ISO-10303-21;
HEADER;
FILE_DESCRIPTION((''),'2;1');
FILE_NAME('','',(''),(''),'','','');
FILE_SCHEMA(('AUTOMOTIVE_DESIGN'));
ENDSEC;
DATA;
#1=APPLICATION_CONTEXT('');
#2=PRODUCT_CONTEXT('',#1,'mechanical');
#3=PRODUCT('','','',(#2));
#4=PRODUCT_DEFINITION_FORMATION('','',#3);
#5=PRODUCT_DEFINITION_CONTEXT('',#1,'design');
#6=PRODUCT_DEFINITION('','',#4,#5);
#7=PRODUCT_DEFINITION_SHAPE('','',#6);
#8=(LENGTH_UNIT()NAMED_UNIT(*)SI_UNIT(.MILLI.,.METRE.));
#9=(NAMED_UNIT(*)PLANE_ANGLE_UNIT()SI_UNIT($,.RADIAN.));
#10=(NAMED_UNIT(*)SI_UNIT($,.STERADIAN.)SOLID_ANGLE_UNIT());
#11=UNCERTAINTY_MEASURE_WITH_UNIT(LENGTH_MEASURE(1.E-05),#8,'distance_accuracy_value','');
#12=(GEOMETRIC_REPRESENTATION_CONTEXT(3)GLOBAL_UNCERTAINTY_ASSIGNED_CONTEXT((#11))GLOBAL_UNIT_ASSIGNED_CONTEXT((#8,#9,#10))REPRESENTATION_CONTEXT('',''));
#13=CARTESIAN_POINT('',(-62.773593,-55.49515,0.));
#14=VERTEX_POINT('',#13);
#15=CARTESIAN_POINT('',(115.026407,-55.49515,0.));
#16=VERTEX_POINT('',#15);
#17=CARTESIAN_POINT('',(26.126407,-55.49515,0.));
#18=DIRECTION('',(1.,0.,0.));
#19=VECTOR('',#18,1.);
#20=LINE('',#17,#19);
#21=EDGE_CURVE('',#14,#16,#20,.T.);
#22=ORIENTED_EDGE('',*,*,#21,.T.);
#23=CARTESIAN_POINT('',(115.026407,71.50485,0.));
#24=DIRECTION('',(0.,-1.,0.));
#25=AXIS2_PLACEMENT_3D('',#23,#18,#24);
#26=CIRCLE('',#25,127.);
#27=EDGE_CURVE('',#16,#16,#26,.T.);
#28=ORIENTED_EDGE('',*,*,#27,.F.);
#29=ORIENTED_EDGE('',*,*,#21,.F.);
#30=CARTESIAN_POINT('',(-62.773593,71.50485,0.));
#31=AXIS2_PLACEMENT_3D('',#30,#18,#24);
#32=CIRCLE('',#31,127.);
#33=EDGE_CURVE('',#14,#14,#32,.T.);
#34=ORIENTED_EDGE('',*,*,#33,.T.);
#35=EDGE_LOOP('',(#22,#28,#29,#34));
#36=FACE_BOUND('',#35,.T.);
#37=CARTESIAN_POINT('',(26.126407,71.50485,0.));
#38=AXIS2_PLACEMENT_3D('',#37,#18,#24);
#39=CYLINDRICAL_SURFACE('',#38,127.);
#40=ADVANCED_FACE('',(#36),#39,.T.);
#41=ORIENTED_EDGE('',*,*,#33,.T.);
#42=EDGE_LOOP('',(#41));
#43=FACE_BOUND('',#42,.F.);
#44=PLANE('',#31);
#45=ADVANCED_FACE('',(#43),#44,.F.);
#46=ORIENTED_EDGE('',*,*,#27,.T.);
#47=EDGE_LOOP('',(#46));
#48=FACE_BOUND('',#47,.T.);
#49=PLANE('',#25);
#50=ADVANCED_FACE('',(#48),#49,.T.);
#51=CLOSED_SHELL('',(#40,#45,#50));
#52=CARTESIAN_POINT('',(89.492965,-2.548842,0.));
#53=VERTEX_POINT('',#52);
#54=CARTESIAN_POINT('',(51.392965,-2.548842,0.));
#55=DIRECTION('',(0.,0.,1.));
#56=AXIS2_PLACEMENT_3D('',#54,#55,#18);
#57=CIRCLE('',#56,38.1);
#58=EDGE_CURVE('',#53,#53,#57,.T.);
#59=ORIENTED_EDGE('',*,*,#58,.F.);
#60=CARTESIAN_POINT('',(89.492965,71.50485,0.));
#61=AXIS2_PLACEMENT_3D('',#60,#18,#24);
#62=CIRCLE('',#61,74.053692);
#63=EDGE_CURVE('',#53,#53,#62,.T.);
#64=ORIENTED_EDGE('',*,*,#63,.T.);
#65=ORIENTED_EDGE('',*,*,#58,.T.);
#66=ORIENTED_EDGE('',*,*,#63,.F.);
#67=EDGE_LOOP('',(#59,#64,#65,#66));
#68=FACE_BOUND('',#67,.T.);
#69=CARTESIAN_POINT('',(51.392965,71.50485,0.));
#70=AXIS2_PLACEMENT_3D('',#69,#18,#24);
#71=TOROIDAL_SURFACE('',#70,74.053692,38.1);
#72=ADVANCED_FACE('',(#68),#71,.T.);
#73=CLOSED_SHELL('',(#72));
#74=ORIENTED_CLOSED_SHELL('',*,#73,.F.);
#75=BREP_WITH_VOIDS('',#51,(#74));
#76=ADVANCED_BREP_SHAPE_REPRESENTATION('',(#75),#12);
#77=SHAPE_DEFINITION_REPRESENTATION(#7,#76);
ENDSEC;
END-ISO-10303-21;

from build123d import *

# Parameters (mm, degrees)
F0_W = 177.8
F0_H = 127
F0_R = 38.1


with BuildPart() as f1:
    # F0 (on Top) → F1 (revolve)
    with BuildSketch(Plane.XY):
        with Locations((26.126407, 8.00485)):
            Rectangle(F0_W, F0_H)
        with Locations((51.392965, -2.548842)):
            Circle(F0_R, mode=Mode.SUBTRACT)
    revolve(axis=Axis((26.126407, 71.50485, 0), (1, 0, 0)))


solid = f1.part
